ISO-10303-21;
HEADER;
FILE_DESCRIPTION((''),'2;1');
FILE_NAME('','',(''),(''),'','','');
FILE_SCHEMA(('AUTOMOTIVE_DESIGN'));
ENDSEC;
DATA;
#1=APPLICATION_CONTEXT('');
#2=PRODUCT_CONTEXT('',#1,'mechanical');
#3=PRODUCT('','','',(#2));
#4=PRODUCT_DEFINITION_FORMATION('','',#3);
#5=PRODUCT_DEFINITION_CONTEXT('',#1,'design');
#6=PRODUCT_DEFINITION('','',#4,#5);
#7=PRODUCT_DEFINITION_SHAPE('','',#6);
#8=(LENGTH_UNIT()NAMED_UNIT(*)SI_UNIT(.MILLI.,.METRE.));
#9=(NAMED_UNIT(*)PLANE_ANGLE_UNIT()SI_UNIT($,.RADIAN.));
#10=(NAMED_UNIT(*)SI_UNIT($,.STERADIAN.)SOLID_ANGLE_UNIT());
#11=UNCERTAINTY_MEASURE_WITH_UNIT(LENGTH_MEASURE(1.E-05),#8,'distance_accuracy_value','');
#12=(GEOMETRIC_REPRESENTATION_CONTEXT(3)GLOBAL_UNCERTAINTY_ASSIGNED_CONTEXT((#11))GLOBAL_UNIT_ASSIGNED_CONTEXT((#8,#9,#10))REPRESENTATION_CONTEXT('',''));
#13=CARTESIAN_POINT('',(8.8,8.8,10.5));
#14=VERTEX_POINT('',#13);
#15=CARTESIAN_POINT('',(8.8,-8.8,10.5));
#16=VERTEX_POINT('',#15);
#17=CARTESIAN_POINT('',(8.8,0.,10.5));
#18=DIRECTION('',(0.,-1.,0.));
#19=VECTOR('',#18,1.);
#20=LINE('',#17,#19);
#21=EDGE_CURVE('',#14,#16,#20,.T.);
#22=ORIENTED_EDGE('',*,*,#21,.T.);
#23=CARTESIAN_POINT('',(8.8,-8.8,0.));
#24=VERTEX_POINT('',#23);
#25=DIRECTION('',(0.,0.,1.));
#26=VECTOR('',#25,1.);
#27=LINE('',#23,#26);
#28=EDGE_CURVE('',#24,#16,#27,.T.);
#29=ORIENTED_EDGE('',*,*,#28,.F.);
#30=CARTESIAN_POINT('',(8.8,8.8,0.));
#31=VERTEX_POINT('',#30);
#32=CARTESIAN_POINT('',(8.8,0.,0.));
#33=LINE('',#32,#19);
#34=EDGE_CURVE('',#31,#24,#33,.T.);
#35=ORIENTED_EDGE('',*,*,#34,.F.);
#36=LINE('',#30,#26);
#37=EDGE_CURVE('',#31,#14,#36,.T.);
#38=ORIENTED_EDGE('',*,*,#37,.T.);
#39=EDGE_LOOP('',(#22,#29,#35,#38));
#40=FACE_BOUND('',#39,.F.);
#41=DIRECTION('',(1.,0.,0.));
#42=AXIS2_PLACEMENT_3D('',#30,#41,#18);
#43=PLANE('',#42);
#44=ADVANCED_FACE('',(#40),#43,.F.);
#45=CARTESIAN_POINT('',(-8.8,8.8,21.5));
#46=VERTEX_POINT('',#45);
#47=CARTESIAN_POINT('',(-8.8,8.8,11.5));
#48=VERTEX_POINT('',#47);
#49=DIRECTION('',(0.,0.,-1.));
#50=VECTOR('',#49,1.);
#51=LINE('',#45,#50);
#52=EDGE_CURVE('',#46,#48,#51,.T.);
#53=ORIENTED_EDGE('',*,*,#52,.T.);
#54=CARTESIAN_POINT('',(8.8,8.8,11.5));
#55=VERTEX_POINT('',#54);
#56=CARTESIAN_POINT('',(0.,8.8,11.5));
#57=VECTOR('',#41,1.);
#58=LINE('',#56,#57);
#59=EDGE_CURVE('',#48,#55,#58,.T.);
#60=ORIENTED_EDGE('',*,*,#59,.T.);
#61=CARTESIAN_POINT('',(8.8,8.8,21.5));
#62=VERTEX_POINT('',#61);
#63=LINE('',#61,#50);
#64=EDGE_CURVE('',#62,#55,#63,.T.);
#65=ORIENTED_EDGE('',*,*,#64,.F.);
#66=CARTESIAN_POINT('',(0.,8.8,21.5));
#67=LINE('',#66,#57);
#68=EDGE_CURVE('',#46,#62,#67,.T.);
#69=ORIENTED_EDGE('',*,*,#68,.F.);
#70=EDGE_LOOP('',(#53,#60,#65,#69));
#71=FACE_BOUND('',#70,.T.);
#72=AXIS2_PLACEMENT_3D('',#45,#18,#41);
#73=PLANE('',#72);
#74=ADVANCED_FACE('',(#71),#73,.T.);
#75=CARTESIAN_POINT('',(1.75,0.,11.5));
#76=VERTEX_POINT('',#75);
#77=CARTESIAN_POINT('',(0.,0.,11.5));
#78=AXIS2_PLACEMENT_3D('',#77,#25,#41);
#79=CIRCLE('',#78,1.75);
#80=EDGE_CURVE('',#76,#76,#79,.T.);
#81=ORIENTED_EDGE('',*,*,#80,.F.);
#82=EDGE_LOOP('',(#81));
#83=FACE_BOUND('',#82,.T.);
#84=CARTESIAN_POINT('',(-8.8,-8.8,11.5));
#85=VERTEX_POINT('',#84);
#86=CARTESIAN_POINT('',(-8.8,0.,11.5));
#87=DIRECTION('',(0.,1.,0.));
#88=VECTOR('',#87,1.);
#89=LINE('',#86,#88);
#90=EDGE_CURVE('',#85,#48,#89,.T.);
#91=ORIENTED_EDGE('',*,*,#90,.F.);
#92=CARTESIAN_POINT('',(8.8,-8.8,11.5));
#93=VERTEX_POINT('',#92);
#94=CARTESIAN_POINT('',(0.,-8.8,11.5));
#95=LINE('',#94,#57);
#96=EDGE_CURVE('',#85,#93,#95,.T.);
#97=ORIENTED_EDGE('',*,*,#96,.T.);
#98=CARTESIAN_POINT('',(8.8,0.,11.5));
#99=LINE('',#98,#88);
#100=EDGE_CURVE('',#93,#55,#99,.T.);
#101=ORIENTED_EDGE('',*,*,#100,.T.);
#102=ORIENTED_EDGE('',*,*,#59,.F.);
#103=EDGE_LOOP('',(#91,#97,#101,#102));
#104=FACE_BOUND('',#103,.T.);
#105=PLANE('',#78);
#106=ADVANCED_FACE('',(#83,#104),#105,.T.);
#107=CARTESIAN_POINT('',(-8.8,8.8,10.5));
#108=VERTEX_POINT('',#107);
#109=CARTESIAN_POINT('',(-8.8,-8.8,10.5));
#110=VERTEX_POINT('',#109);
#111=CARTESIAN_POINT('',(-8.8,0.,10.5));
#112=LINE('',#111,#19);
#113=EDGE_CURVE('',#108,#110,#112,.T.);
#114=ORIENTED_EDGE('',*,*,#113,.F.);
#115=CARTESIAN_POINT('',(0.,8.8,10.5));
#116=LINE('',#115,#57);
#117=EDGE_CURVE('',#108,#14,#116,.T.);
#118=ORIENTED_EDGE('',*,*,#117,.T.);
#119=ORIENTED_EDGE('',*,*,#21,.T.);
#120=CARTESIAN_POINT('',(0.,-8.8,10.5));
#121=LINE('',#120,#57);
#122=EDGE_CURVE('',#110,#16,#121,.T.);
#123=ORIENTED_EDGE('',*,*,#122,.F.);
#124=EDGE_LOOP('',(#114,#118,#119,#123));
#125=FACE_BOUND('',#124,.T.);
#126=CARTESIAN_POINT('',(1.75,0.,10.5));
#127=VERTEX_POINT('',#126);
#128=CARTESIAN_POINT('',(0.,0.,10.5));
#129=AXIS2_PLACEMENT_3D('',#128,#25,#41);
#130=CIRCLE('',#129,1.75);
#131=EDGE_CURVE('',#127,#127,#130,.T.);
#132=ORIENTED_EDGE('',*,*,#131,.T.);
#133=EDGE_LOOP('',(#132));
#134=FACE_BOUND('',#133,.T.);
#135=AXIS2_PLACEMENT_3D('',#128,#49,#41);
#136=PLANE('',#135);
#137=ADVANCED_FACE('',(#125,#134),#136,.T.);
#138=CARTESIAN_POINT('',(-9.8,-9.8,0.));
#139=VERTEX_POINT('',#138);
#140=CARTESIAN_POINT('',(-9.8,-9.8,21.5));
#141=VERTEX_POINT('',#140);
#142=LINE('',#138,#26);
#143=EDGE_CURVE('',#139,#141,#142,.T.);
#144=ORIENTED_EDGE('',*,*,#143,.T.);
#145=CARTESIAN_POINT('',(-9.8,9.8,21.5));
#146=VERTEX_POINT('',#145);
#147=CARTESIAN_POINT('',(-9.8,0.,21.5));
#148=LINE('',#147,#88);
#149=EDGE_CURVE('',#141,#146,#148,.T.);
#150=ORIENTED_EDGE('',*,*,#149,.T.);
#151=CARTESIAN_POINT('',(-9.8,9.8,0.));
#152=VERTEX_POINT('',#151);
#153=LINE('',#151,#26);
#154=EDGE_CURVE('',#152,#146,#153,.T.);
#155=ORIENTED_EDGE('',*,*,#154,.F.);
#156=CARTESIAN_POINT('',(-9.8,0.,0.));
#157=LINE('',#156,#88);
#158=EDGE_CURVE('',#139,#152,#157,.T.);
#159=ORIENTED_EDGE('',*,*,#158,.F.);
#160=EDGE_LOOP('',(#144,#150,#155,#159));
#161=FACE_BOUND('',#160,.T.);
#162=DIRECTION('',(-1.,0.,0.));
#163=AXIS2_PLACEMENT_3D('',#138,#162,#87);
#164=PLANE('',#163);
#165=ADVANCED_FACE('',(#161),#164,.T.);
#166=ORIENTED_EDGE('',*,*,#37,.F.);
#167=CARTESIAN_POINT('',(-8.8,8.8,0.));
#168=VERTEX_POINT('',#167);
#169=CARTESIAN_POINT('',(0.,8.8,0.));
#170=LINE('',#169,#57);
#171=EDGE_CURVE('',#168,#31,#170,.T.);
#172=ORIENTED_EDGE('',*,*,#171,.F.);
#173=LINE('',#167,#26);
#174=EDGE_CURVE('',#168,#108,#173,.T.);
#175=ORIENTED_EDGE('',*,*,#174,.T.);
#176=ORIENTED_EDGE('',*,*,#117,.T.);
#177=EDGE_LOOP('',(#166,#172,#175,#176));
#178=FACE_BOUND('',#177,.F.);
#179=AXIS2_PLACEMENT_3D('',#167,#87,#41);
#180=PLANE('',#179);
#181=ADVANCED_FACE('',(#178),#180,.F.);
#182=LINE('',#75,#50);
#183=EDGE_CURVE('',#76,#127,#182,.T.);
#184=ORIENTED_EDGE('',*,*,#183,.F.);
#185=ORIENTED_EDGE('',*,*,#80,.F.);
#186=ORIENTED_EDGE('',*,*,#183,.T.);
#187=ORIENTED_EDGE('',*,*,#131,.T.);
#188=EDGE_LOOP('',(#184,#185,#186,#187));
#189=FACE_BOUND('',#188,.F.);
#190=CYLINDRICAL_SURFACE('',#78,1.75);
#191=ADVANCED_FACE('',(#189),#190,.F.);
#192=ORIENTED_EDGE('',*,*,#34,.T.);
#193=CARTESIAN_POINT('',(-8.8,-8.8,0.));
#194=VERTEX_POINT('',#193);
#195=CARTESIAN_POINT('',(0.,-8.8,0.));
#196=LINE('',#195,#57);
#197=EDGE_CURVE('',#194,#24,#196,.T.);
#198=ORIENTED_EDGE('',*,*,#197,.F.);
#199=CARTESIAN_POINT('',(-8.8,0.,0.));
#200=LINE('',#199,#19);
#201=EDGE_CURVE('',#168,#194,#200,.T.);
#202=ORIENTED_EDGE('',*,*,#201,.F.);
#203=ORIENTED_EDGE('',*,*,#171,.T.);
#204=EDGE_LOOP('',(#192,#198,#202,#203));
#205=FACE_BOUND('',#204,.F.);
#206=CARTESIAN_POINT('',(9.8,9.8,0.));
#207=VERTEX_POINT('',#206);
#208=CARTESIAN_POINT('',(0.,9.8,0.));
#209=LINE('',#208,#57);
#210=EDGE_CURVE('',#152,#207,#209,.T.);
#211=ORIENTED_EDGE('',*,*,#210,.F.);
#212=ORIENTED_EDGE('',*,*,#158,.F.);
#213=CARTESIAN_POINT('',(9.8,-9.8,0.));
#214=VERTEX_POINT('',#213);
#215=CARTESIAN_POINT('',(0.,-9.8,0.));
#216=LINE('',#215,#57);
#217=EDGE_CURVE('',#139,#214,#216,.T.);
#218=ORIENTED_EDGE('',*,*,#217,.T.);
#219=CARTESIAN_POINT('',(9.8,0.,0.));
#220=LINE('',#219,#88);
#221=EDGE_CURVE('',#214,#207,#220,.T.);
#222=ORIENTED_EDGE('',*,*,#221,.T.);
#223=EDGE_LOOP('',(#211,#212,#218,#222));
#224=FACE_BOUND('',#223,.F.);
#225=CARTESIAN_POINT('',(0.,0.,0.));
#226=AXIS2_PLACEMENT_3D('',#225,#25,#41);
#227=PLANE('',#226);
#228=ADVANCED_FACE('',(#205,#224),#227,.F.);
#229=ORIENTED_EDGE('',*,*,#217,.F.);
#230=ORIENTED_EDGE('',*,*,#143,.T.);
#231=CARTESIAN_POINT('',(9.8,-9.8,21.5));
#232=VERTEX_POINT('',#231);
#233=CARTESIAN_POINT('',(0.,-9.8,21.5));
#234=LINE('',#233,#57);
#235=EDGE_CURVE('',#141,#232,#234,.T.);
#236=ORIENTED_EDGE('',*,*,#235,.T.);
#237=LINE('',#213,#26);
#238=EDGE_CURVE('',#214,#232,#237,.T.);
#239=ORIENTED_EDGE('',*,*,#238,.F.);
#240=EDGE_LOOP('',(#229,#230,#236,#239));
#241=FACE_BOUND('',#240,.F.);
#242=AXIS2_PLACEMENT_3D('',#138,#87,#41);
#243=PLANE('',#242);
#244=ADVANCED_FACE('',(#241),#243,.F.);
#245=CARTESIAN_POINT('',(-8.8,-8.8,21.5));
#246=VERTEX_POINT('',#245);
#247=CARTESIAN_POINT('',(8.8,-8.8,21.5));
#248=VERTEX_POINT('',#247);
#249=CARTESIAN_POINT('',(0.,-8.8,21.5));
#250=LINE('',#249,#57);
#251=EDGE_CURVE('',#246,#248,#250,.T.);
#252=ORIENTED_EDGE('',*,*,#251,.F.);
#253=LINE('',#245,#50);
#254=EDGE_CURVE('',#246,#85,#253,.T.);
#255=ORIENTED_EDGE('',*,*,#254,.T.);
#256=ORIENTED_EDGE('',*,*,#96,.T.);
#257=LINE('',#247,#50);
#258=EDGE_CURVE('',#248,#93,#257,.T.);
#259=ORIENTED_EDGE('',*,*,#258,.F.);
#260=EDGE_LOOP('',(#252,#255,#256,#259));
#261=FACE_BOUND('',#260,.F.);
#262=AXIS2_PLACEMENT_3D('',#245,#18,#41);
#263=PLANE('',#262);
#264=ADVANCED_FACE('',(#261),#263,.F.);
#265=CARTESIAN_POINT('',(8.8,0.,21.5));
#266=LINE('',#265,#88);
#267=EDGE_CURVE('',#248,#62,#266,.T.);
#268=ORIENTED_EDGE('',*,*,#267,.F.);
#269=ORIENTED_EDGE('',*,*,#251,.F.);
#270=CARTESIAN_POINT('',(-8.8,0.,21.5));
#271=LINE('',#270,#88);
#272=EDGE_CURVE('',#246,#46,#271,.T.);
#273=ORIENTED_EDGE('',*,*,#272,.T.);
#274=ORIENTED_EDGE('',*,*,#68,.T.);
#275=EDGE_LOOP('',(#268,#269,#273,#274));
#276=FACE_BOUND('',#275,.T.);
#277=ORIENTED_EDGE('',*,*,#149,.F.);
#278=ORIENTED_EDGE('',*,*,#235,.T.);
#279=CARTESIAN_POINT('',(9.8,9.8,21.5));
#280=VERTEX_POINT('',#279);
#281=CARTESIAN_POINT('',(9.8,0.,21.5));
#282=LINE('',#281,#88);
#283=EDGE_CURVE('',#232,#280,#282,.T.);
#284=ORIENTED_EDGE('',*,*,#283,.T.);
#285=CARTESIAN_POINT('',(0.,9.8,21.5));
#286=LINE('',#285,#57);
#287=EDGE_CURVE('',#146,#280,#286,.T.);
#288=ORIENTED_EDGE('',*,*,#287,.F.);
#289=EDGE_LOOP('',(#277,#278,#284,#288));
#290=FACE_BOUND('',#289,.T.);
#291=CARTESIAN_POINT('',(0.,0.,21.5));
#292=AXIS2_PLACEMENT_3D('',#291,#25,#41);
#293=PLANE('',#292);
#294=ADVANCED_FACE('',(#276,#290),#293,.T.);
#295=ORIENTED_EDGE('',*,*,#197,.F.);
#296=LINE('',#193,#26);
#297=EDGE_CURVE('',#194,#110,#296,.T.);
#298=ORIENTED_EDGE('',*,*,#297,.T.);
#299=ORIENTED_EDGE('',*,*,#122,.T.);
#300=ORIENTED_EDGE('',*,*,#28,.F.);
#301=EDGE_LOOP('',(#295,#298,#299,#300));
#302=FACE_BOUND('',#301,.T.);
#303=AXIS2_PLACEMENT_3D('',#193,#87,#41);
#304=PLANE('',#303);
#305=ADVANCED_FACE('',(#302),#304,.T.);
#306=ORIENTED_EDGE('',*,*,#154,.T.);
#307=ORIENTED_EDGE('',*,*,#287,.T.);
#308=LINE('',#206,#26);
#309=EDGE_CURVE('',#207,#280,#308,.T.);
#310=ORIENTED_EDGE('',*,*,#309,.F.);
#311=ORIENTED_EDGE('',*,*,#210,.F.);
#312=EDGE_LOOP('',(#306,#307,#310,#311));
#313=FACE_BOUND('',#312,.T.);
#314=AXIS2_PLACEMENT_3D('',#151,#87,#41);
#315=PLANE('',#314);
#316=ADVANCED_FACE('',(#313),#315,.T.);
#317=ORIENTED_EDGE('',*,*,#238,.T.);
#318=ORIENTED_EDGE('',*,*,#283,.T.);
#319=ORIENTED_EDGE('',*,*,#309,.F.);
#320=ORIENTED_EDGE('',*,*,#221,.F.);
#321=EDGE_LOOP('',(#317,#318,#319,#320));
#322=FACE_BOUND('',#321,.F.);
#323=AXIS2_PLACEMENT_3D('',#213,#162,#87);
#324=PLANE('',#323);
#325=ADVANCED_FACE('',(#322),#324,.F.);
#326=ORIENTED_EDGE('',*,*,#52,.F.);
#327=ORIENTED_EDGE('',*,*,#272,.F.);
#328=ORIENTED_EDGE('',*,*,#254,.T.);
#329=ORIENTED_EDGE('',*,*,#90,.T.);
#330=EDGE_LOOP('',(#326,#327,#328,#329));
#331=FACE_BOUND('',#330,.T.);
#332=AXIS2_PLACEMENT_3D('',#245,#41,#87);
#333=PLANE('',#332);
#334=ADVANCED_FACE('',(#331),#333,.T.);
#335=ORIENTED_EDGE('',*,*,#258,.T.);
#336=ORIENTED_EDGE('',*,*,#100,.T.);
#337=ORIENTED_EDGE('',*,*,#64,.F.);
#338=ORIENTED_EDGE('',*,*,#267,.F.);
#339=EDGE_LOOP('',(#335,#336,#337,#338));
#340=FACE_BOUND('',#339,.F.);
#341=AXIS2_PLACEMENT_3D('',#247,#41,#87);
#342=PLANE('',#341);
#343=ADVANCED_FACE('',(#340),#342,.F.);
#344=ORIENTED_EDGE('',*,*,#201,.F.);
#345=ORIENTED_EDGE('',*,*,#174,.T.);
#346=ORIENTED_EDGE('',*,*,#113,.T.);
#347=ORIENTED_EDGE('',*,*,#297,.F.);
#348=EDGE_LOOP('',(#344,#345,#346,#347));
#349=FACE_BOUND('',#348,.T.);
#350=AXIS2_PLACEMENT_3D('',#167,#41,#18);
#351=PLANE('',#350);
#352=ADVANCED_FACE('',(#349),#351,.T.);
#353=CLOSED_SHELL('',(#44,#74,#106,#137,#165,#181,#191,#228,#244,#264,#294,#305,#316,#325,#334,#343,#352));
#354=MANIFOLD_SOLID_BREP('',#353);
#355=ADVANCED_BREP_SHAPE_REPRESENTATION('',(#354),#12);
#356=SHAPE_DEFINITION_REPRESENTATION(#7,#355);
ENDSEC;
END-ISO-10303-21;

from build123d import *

# Parameters (mm, degrees)
F0_W     = 19.6
F0_H     = 19.6
F1_DEPTH = 21.5
F2_W     = 17.6
F2_H     = 17.6
F3_DEPTH = 10.5
F4_W     = 17.6
F4_H     = 17.6
F5_DEPTH = 10
F6_R     = 1.75
F7_DEPTH = 1


with BuildPart() as f1:
    # F0 (on Top) → F1 (new body)
    with BuildSketch(Plane.XY):
        Rectangle(F0_W, F0_H)
    extrude(amount=F1_DEPTH)

    # F2 (on face) → F3 (cut)
    with BuildSketch(Plane(origin=(0, 0, 0), x_dir=(1, 0, 0), z_dir=(0, 0, -1))):
        Rectangle(F2_W, F2_H)
    extrude(amount=-F3_DEPTH, mode=Mode.SUBTRACT)

    # F4 (on face) → F5 (cut)
    with BuildSketch(Plane.XY.offset(21.5)):
        Rectangle(F4_W, F4_H)
    extrude(amount=-F5_DEPTH, mode=Mode.SUBTRACT)

    # F6 (on face) → F7 (cut)
    with BuildSketch(Plane.XY.offset(11.5)):
        Circle(F6_R)
    extrude(amount=-F7_DEPTH, mode=Mode.SUBTRACT)


solid = f1.part
